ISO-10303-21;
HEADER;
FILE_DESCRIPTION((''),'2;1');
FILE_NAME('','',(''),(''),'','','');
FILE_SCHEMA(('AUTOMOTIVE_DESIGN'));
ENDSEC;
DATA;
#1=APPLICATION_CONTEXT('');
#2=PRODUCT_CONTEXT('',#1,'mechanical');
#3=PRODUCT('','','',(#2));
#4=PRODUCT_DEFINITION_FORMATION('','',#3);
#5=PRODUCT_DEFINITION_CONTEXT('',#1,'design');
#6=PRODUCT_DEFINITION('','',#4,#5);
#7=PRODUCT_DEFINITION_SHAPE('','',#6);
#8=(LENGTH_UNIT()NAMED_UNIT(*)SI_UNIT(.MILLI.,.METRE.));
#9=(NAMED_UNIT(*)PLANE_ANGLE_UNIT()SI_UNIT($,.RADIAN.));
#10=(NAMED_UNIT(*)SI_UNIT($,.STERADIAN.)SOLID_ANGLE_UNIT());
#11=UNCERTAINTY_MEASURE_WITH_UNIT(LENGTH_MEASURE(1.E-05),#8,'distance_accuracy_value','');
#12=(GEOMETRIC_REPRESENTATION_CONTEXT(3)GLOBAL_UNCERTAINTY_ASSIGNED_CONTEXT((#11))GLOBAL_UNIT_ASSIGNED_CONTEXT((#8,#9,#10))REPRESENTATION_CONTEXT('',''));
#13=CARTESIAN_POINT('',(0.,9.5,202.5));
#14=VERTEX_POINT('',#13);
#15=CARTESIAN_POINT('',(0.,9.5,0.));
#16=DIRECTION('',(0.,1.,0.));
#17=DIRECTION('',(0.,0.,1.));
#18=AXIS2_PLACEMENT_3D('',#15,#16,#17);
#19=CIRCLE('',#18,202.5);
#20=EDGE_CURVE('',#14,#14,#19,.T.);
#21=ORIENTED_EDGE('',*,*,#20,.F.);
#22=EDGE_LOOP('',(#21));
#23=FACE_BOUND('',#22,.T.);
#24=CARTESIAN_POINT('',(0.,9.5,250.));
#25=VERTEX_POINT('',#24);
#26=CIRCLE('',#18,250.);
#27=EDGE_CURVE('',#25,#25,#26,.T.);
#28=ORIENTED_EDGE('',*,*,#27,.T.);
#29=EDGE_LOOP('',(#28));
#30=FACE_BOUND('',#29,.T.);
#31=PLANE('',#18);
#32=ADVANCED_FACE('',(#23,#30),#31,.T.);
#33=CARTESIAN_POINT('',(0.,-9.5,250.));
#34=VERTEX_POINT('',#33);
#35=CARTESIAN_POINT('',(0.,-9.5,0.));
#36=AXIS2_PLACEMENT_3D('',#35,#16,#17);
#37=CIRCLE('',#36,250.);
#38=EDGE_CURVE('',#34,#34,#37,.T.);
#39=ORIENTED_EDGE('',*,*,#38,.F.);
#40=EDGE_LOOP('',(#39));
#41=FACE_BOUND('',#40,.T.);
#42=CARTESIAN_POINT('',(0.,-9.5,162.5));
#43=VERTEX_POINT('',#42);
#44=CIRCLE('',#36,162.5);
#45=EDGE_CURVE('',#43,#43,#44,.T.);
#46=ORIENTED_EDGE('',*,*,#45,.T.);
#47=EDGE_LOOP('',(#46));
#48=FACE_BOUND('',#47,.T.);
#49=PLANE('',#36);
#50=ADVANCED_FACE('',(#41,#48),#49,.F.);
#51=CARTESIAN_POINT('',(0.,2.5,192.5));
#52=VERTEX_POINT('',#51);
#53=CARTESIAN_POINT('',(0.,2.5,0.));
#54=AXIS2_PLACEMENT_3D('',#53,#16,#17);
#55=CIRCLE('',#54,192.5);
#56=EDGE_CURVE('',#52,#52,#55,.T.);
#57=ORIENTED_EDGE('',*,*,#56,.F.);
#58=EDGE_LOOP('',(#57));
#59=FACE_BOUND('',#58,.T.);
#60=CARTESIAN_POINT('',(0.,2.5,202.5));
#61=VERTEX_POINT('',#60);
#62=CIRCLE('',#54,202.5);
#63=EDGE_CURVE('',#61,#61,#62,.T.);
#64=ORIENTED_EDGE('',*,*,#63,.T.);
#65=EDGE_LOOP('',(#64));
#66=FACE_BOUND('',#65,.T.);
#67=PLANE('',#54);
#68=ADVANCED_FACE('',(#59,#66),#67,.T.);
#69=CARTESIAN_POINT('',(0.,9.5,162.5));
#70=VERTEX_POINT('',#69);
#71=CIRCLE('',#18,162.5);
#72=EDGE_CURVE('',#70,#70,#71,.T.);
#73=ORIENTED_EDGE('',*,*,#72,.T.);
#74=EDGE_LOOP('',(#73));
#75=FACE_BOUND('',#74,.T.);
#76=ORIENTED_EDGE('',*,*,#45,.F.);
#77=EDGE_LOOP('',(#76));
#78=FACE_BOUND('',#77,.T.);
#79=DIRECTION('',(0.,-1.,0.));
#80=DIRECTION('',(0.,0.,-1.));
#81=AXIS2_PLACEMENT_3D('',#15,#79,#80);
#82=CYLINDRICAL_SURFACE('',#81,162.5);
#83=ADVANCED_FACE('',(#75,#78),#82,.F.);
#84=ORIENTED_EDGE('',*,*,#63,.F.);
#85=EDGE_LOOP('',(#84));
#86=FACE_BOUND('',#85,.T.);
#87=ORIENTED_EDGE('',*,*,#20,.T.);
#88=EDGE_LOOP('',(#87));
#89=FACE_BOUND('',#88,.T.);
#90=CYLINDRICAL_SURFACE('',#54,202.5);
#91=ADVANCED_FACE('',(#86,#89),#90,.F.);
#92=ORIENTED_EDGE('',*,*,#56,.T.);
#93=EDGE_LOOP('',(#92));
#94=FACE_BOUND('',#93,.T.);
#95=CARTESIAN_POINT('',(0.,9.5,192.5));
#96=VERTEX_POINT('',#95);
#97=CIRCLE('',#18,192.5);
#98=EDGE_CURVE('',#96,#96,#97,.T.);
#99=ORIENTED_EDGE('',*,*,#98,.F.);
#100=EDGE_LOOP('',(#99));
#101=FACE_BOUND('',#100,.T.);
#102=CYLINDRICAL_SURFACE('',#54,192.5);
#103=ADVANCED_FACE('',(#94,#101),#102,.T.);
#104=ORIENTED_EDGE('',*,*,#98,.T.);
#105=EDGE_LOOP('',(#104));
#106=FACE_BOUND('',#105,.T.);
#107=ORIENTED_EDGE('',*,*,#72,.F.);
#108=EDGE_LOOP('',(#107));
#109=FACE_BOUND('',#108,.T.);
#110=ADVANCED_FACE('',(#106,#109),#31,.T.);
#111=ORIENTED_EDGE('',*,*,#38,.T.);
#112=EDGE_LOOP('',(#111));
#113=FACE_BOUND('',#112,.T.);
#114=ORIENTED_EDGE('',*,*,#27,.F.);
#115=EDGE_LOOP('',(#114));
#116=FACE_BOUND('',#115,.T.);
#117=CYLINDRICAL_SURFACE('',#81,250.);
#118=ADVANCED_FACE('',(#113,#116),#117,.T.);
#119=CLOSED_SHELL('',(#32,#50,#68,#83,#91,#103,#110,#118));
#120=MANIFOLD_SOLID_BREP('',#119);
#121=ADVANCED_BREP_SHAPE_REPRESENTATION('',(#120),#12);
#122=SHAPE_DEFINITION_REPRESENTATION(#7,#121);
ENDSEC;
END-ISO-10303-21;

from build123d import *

# Parameters (mm, degrees)
SKETCH1_R           = 250
SKETCH1_R_2         = 162.5
BOSS_EXTRUDE1_DEPTH = 9.5
SKETCH2_R           = 202.5
SKETCH2_R_2         = 192.5
CUT_EXTRUDE1_DEPTH  = 7


with BuildPart() as part:
    # Sketch1 → Boss-Extrude1 (new, symmetric)
    with BuildSketch(Plane(origin=(0, 0, 0), x_dir=(1, 0, 0), z_dir=(0, 1, 0))):
        with Locations(Location((0, 0, 0), (0, 0, 270))):
            Circle(SKETCH1_R)
        with Locations(Location((0, 0, 0), (0, 0, 270))):
            Circle(SKETCH1_R_2, mode=Mode.SUBTRACT)
    extrude(amount=BOSS_EXTRUDE1_DEPTH, both=True)

    # Sketch2 → Cut-Extrude1 (cut)
    with BuildSketch(Plane(origin=(0, 9.5, 0), x_dir=(1, 0, 0), z_dir=(0, 1, 0))):
        with Locations(Location((0, 0, 0), (0, 0, 270))):
            Circle(SKETCH2_R)
        with Locations(Location((0, 0, 0), (0, 0, 270))):
            Circle(SKETCH2_R_2, mode=Mode.SUBTRACT)
    extrude(amount=-CUT_EXTRUDE1_DEPTH, mode=Mode.SUBTRACT)


solid = part.part
